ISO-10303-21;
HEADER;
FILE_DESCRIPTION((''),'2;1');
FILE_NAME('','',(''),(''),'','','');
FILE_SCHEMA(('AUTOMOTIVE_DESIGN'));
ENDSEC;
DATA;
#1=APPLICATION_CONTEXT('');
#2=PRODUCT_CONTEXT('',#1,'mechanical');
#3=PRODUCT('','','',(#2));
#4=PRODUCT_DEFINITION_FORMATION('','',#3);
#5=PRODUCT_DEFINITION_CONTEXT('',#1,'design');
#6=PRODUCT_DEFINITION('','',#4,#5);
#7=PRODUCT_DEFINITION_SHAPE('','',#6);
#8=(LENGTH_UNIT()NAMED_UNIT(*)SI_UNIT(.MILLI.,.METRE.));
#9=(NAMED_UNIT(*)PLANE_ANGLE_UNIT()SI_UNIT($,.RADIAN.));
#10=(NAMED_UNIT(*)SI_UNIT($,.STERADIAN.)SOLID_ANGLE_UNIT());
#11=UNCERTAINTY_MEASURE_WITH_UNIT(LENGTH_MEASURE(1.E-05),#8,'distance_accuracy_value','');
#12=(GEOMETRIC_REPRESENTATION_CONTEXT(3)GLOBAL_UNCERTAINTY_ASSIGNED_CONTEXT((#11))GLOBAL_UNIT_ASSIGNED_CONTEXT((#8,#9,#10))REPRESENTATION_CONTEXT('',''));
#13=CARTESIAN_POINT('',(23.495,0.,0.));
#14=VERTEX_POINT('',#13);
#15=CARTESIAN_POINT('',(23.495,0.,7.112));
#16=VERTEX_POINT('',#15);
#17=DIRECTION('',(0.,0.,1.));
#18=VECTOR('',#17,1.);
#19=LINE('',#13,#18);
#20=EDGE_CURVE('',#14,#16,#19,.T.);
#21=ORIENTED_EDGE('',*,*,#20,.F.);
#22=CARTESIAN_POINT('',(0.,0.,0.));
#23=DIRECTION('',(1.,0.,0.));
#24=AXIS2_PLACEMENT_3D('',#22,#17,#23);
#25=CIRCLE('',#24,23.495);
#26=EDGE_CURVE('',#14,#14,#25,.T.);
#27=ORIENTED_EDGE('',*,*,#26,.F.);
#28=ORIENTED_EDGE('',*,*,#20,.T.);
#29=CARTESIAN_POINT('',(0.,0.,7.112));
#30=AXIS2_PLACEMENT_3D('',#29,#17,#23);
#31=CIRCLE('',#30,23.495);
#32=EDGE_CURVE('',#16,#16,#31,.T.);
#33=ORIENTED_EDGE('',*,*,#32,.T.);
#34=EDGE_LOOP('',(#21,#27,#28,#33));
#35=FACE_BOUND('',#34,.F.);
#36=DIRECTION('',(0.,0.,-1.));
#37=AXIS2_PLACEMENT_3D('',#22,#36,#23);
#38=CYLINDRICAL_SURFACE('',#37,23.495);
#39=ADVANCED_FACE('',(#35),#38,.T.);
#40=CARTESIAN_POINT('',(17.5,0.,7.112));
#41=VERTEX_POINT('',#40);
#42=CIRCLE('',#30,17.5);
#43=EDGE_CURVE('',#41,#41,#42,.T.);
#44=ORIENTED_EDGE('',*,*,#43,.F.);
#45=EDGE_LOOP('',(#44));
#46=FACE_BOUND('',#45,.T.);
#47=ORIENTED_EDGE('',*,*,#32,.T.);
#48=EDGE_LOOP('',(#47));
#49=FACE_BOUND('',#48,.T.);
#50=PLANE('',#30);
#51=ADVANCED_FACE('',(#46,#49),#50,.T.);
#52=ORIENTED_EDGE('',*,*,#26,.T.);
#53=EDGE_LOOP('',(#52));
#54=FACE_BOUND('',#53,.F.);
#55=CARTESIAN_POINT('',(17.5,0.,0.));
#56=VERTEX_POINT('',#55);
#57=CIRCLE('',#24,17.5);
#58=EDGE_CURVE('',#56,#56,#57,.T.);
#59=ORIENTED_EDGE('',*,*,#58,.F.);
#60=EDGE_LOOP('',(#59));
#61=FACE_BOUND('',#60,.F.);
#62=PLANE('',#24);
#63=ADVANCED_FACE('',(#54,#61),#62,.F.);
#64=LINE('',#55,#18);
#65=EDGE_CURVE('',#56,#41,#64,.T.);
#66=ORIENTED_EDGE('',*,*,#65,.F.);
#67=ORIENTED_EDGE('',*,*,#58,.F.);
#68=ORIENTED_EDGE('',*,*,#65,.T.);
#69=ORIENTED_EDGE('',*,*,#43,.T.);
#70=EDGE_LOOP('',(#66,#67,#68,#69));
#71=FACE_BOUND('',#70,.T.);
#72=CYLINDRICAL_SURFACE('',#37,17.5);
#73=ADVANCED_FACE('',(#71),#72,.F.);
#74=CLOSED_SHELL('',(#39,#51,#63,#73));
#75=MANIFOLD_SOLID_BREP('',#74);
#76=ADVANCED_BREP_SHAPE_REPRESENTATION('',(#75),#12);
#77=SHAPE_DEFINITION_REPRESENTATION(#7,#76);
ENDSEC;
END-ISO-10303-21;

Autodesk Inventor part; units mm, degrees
ref_plane "YZ Plane" through (0, 0, 0) normal (1, 0, 0) x (0, 1, 0)
ref_plane "XZ Plane" through (0, 0, 0) normal (0, 1, 0) x (-1, 0, 0)
ref_plane "XY Plane" through (0, 0, 0) normal (0, 0, 1) x (1, 0, 0)
sketch "Sketch1" plane through (0, 0, 0) normal (0, 0, 1) x (1, 0, 0)
  circle A0 centre (0, 0) radius 17.5
  circle A1 centre (0, 0) radius 23.495
  dimension "d0" = 35
  dimension "d1" = 46.99
extrude "Extrusion1" add sketch "Sketch1" along normal blind 7.112
properties part number "177x35x10 bearing"
